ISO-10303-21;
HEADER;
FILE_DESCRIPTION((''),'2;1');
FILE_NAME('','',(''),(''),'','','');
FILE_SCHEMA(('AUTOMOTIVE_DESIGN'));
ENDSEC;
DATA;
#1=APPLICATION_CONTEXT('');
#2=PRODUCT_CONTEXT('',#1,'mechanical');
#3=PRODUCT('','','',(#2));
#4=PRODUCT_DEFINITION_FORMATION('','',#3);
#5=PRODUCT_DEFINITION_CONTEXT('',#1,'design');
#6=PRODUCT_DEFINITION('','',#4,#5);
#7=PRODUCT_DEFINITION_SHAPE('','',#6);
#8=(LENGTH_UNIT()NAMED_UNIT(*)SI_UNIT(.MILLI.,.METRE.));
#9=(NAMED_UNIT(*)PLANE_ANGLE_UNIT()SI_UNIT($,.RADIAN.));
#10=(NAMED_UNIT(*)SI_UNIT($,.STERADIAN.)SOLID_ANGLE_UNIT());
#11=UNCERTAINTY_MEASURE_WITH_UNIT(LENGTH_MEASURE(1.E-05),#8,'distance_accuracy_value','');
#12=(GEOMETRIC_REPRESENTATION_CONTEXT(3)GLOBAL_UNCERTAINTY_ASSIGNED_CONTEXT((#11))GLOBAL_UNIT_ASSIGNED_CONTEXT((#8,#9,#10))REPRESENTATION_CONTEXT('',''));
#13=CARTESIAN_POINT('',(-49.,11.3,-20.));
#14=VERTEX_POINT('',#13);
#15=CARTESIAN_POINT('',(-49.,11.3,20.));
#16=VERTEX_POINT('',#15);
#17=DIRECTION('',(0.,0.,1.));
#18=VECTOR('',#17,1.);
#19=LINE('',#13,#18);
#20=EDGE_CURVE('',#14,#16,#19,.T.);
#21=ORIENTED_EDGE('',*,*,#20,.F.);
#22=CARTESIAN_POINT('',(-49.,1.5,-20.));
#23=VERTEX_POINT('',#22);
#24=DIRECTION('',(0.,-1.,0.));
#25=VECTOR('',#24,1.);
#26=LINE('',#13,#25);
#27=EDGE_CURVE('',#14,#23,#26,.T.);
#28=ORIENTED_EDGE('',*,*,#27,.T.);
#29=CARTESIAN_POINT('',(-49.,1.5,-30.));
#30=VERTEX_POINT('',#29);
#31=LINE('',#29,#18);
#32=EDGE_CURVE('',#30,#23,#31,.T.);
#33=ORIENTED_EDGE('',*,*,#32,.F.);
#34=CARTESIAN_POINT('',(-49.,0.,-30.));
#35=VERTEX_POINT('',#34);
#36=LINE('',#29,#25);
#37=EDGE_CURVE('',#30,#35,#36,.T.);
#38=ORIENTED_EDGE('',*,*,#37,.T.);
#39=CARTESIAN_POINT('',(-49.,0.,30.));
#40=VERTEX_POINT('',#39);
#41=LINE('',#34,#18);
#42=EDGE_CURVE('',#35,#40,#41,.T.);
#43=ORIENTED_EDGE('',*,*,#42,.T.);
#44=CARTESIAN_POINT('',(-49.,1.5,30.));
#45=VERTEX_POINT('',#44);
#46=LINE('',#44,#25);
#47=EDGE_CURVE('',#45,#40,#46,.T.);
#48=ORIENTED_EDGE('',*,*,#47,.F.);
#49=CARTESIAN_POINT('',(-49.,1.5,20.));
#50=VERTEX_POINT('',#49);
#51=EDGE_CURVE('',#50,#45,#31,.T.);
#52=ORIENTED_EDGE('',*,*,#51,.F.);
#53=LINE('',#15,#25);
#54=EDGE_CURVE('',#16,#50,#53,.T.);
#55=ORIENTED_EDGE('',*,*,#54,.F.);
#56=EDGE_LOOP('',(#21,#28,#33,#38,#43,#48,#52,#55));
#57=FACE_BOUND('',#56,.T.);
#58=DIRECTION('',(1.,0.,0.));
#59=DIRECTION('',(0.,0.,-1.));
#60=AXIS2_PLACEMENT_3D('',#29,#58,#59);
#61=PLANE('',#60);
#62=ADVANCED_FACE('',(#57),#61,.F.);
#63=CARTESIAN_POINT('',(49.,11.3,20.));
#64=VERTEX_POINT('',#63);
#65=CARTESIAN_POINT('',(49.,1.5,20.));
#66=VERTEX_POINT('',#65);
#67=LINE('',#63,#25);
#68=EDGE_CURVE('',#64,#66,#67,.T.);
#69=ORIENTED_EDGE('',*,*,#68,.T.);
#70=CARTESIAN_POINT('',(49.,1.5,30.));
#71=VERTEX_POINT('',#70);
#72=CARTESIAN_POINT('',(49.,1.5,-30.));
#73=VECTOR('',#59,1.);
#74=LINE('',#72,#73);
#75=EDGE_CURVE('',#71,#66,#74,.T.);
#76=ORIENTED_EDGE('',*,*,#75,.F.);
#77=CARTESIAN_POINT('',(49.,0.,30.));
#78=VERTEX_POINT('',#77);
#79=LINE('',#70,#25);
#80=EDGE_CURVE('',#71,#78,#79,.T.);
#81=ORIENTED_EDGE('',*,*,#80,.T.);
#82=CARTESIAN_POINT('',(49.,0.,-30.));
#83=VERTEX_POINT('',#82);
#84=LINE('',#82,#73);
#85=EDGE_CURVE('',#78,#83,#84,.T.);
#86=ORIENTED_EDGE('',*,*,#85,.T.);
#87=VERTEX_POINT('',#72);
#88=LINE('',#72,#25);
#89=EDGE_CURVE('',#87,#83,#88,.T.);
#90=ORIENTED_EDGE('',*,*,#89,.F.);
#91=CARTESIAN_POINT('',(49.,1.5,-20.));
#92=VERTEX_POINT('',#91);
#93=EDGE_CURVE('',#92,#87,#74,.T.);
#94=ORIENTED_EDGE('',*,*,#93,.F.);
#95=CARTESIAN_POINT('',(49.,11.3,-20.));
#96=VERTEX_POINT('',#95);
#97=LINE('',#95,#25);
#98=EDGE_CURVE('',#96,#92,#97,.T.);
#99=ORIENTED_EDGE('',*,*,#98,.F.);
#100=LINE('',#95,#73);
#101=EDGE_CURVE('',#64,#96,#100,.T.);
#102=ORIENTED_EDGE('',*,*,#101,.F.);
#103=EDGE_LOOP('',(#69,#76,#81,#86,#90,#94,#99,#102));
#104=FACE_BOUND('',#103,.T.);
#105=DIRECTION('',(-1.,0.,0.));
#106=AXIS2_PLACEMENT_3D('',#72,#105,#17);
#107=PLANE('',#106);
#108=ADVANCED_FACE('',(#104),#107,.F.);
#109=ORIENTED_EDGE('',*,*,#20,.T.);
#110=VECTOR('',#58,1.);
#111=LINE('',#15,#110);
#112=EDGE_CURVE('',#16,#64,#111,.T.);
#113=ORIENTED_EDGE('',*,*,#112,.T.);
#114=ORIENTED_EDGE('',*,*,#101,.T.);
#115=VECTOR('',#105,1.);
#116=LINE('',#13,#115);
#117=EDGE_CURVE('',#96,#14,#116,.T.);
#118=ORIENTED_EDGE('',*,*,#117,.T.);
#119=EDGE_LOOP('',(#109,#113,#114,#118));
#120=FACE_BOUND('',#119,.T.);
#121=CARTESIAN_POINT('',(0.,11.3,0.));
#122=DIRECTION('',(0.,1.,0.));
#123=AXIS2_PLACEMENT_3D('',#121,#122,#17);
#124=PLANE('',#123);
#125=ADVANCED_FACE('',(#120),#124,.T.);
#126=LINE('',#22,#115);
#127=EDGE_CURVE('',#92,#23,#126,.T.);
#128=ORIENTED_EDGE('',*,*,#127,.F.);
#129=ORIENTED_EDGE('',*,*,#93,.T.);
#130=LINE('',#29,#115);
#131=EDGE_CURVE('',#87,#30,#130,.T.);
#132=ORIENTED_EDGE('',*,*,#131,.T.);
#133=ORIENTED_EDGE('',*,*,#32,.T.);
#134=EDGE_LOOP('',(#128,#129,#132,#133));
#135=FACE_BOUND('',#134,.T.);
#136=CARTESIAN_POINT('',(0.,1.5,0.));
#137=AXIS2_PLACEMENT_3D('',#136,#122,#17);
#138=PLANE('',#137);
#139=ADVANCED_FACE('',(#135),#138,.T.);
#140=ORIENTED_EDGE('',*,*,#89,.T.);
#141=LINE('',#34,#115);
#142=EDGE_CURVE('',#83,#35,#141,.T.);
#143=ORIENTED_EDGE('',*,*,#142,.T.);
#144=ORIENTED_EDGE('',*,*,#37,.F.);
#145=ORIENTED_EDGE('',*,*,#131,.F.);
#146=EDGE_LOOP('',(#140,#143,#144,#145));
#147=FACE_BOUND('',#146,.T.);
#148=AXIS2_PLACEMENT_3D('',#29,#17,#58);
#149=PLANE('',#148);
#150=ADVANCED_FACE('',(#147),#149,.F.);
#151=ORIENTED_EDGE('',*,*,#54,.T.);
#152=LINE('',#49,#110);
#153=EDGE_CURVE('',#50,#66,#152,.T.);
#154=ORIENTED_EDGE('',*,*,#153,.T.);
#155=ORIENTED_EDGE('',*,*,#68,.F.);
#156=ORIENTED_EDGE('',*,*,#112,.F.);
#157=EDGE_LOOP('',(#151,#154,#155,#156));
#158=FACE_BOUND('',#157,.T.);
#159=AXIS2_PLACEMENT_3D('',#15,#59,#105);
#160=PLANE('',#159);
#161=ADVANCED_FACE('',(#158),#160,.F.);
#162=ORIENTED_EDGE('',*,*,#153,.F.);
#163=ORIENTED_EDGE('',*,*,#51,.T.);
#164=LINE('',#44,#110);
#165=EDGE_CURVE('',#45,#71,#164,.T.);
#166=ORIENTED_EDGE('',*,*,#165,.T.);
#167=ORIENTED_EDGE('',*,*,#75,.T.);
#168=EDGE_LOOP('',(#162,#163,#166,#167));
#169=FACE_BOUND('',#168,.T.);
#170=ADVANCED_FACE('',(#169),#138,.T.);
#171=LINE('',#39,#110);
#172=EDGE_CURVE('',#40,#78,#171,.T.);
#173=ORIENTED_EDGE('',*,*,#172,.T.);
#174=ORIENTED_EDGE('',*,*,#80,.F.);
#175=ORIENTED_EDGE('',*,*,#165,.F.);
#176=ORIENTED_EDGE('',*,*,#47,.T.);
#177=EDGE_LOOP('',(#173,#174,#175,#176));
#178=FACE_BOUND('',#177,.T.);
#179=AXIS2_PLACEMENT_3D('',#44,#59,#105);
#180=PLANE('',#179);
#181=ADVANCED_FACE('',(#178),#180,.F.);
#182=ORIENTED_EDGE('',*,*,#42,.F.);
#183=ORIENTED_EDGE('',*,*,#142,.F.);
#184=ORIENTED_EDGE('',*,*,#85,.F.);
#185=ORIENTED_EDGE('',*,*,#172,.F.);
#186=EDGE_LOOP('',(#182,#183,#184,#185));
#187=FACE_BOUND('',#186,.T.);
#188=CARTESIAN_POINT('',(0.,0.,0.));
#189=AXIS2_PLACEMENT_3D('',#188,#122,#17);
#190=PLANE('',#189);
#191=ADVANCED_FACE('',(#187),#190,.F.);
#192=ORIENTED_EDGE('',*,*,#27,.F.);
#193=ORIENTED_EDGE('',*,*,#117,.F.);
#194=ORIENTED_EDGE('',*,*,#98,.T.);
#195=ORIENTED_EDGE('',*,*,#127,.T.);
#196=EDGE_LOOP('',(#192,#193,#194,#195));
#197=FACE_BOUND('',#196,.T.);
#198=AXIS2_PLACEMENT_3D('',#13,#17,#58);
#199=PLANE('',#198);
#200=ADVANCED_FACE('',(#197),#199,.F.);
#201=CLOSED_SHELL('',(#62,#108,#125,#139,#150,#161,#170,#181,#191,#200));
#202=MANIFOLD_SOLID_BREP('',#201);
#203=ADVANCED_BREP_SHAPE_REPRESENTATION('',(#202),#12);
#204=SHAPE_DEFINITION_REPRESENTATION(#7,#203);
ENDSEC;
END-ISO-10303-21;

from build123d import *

# Parameters (mm, degrees)
SKETCH1_W           = 98
SKETCH1_H           = 60
BOSS_EXTRUDE1_DEPTH = 1.5
SKETCH2_W           = 98
SKETCH2_H           = 40
BOSS_EXTRUDE2_DEPTH = 9.8


with BuildPart() as part:
    # Sketch1 → Boss-Extrude1 (new body)
    with BuildSketch(Plane(origin=(0, 0, 0), x_dir=(1, 0, 0), z_dir=(0, 1, 0))):
        Rectangle(SKETCH1_W, SKETCH1_H)
    extrude(amount=BOSS_EXTRUDE1_DEPTH)

    # Sketch2 → Boss-Extrude2 (add)
    with BuildSketch(Plane(origin=(0, 1.5, 0), x_dir=(1, 0, 0), z_dir=(0, 1, 0))):
        Rectangle(SKETCH2_W, SKETCH2_H)
    extrude(amount=BOSS_EXTRUDE2_DEPTH)


solid = part.part
